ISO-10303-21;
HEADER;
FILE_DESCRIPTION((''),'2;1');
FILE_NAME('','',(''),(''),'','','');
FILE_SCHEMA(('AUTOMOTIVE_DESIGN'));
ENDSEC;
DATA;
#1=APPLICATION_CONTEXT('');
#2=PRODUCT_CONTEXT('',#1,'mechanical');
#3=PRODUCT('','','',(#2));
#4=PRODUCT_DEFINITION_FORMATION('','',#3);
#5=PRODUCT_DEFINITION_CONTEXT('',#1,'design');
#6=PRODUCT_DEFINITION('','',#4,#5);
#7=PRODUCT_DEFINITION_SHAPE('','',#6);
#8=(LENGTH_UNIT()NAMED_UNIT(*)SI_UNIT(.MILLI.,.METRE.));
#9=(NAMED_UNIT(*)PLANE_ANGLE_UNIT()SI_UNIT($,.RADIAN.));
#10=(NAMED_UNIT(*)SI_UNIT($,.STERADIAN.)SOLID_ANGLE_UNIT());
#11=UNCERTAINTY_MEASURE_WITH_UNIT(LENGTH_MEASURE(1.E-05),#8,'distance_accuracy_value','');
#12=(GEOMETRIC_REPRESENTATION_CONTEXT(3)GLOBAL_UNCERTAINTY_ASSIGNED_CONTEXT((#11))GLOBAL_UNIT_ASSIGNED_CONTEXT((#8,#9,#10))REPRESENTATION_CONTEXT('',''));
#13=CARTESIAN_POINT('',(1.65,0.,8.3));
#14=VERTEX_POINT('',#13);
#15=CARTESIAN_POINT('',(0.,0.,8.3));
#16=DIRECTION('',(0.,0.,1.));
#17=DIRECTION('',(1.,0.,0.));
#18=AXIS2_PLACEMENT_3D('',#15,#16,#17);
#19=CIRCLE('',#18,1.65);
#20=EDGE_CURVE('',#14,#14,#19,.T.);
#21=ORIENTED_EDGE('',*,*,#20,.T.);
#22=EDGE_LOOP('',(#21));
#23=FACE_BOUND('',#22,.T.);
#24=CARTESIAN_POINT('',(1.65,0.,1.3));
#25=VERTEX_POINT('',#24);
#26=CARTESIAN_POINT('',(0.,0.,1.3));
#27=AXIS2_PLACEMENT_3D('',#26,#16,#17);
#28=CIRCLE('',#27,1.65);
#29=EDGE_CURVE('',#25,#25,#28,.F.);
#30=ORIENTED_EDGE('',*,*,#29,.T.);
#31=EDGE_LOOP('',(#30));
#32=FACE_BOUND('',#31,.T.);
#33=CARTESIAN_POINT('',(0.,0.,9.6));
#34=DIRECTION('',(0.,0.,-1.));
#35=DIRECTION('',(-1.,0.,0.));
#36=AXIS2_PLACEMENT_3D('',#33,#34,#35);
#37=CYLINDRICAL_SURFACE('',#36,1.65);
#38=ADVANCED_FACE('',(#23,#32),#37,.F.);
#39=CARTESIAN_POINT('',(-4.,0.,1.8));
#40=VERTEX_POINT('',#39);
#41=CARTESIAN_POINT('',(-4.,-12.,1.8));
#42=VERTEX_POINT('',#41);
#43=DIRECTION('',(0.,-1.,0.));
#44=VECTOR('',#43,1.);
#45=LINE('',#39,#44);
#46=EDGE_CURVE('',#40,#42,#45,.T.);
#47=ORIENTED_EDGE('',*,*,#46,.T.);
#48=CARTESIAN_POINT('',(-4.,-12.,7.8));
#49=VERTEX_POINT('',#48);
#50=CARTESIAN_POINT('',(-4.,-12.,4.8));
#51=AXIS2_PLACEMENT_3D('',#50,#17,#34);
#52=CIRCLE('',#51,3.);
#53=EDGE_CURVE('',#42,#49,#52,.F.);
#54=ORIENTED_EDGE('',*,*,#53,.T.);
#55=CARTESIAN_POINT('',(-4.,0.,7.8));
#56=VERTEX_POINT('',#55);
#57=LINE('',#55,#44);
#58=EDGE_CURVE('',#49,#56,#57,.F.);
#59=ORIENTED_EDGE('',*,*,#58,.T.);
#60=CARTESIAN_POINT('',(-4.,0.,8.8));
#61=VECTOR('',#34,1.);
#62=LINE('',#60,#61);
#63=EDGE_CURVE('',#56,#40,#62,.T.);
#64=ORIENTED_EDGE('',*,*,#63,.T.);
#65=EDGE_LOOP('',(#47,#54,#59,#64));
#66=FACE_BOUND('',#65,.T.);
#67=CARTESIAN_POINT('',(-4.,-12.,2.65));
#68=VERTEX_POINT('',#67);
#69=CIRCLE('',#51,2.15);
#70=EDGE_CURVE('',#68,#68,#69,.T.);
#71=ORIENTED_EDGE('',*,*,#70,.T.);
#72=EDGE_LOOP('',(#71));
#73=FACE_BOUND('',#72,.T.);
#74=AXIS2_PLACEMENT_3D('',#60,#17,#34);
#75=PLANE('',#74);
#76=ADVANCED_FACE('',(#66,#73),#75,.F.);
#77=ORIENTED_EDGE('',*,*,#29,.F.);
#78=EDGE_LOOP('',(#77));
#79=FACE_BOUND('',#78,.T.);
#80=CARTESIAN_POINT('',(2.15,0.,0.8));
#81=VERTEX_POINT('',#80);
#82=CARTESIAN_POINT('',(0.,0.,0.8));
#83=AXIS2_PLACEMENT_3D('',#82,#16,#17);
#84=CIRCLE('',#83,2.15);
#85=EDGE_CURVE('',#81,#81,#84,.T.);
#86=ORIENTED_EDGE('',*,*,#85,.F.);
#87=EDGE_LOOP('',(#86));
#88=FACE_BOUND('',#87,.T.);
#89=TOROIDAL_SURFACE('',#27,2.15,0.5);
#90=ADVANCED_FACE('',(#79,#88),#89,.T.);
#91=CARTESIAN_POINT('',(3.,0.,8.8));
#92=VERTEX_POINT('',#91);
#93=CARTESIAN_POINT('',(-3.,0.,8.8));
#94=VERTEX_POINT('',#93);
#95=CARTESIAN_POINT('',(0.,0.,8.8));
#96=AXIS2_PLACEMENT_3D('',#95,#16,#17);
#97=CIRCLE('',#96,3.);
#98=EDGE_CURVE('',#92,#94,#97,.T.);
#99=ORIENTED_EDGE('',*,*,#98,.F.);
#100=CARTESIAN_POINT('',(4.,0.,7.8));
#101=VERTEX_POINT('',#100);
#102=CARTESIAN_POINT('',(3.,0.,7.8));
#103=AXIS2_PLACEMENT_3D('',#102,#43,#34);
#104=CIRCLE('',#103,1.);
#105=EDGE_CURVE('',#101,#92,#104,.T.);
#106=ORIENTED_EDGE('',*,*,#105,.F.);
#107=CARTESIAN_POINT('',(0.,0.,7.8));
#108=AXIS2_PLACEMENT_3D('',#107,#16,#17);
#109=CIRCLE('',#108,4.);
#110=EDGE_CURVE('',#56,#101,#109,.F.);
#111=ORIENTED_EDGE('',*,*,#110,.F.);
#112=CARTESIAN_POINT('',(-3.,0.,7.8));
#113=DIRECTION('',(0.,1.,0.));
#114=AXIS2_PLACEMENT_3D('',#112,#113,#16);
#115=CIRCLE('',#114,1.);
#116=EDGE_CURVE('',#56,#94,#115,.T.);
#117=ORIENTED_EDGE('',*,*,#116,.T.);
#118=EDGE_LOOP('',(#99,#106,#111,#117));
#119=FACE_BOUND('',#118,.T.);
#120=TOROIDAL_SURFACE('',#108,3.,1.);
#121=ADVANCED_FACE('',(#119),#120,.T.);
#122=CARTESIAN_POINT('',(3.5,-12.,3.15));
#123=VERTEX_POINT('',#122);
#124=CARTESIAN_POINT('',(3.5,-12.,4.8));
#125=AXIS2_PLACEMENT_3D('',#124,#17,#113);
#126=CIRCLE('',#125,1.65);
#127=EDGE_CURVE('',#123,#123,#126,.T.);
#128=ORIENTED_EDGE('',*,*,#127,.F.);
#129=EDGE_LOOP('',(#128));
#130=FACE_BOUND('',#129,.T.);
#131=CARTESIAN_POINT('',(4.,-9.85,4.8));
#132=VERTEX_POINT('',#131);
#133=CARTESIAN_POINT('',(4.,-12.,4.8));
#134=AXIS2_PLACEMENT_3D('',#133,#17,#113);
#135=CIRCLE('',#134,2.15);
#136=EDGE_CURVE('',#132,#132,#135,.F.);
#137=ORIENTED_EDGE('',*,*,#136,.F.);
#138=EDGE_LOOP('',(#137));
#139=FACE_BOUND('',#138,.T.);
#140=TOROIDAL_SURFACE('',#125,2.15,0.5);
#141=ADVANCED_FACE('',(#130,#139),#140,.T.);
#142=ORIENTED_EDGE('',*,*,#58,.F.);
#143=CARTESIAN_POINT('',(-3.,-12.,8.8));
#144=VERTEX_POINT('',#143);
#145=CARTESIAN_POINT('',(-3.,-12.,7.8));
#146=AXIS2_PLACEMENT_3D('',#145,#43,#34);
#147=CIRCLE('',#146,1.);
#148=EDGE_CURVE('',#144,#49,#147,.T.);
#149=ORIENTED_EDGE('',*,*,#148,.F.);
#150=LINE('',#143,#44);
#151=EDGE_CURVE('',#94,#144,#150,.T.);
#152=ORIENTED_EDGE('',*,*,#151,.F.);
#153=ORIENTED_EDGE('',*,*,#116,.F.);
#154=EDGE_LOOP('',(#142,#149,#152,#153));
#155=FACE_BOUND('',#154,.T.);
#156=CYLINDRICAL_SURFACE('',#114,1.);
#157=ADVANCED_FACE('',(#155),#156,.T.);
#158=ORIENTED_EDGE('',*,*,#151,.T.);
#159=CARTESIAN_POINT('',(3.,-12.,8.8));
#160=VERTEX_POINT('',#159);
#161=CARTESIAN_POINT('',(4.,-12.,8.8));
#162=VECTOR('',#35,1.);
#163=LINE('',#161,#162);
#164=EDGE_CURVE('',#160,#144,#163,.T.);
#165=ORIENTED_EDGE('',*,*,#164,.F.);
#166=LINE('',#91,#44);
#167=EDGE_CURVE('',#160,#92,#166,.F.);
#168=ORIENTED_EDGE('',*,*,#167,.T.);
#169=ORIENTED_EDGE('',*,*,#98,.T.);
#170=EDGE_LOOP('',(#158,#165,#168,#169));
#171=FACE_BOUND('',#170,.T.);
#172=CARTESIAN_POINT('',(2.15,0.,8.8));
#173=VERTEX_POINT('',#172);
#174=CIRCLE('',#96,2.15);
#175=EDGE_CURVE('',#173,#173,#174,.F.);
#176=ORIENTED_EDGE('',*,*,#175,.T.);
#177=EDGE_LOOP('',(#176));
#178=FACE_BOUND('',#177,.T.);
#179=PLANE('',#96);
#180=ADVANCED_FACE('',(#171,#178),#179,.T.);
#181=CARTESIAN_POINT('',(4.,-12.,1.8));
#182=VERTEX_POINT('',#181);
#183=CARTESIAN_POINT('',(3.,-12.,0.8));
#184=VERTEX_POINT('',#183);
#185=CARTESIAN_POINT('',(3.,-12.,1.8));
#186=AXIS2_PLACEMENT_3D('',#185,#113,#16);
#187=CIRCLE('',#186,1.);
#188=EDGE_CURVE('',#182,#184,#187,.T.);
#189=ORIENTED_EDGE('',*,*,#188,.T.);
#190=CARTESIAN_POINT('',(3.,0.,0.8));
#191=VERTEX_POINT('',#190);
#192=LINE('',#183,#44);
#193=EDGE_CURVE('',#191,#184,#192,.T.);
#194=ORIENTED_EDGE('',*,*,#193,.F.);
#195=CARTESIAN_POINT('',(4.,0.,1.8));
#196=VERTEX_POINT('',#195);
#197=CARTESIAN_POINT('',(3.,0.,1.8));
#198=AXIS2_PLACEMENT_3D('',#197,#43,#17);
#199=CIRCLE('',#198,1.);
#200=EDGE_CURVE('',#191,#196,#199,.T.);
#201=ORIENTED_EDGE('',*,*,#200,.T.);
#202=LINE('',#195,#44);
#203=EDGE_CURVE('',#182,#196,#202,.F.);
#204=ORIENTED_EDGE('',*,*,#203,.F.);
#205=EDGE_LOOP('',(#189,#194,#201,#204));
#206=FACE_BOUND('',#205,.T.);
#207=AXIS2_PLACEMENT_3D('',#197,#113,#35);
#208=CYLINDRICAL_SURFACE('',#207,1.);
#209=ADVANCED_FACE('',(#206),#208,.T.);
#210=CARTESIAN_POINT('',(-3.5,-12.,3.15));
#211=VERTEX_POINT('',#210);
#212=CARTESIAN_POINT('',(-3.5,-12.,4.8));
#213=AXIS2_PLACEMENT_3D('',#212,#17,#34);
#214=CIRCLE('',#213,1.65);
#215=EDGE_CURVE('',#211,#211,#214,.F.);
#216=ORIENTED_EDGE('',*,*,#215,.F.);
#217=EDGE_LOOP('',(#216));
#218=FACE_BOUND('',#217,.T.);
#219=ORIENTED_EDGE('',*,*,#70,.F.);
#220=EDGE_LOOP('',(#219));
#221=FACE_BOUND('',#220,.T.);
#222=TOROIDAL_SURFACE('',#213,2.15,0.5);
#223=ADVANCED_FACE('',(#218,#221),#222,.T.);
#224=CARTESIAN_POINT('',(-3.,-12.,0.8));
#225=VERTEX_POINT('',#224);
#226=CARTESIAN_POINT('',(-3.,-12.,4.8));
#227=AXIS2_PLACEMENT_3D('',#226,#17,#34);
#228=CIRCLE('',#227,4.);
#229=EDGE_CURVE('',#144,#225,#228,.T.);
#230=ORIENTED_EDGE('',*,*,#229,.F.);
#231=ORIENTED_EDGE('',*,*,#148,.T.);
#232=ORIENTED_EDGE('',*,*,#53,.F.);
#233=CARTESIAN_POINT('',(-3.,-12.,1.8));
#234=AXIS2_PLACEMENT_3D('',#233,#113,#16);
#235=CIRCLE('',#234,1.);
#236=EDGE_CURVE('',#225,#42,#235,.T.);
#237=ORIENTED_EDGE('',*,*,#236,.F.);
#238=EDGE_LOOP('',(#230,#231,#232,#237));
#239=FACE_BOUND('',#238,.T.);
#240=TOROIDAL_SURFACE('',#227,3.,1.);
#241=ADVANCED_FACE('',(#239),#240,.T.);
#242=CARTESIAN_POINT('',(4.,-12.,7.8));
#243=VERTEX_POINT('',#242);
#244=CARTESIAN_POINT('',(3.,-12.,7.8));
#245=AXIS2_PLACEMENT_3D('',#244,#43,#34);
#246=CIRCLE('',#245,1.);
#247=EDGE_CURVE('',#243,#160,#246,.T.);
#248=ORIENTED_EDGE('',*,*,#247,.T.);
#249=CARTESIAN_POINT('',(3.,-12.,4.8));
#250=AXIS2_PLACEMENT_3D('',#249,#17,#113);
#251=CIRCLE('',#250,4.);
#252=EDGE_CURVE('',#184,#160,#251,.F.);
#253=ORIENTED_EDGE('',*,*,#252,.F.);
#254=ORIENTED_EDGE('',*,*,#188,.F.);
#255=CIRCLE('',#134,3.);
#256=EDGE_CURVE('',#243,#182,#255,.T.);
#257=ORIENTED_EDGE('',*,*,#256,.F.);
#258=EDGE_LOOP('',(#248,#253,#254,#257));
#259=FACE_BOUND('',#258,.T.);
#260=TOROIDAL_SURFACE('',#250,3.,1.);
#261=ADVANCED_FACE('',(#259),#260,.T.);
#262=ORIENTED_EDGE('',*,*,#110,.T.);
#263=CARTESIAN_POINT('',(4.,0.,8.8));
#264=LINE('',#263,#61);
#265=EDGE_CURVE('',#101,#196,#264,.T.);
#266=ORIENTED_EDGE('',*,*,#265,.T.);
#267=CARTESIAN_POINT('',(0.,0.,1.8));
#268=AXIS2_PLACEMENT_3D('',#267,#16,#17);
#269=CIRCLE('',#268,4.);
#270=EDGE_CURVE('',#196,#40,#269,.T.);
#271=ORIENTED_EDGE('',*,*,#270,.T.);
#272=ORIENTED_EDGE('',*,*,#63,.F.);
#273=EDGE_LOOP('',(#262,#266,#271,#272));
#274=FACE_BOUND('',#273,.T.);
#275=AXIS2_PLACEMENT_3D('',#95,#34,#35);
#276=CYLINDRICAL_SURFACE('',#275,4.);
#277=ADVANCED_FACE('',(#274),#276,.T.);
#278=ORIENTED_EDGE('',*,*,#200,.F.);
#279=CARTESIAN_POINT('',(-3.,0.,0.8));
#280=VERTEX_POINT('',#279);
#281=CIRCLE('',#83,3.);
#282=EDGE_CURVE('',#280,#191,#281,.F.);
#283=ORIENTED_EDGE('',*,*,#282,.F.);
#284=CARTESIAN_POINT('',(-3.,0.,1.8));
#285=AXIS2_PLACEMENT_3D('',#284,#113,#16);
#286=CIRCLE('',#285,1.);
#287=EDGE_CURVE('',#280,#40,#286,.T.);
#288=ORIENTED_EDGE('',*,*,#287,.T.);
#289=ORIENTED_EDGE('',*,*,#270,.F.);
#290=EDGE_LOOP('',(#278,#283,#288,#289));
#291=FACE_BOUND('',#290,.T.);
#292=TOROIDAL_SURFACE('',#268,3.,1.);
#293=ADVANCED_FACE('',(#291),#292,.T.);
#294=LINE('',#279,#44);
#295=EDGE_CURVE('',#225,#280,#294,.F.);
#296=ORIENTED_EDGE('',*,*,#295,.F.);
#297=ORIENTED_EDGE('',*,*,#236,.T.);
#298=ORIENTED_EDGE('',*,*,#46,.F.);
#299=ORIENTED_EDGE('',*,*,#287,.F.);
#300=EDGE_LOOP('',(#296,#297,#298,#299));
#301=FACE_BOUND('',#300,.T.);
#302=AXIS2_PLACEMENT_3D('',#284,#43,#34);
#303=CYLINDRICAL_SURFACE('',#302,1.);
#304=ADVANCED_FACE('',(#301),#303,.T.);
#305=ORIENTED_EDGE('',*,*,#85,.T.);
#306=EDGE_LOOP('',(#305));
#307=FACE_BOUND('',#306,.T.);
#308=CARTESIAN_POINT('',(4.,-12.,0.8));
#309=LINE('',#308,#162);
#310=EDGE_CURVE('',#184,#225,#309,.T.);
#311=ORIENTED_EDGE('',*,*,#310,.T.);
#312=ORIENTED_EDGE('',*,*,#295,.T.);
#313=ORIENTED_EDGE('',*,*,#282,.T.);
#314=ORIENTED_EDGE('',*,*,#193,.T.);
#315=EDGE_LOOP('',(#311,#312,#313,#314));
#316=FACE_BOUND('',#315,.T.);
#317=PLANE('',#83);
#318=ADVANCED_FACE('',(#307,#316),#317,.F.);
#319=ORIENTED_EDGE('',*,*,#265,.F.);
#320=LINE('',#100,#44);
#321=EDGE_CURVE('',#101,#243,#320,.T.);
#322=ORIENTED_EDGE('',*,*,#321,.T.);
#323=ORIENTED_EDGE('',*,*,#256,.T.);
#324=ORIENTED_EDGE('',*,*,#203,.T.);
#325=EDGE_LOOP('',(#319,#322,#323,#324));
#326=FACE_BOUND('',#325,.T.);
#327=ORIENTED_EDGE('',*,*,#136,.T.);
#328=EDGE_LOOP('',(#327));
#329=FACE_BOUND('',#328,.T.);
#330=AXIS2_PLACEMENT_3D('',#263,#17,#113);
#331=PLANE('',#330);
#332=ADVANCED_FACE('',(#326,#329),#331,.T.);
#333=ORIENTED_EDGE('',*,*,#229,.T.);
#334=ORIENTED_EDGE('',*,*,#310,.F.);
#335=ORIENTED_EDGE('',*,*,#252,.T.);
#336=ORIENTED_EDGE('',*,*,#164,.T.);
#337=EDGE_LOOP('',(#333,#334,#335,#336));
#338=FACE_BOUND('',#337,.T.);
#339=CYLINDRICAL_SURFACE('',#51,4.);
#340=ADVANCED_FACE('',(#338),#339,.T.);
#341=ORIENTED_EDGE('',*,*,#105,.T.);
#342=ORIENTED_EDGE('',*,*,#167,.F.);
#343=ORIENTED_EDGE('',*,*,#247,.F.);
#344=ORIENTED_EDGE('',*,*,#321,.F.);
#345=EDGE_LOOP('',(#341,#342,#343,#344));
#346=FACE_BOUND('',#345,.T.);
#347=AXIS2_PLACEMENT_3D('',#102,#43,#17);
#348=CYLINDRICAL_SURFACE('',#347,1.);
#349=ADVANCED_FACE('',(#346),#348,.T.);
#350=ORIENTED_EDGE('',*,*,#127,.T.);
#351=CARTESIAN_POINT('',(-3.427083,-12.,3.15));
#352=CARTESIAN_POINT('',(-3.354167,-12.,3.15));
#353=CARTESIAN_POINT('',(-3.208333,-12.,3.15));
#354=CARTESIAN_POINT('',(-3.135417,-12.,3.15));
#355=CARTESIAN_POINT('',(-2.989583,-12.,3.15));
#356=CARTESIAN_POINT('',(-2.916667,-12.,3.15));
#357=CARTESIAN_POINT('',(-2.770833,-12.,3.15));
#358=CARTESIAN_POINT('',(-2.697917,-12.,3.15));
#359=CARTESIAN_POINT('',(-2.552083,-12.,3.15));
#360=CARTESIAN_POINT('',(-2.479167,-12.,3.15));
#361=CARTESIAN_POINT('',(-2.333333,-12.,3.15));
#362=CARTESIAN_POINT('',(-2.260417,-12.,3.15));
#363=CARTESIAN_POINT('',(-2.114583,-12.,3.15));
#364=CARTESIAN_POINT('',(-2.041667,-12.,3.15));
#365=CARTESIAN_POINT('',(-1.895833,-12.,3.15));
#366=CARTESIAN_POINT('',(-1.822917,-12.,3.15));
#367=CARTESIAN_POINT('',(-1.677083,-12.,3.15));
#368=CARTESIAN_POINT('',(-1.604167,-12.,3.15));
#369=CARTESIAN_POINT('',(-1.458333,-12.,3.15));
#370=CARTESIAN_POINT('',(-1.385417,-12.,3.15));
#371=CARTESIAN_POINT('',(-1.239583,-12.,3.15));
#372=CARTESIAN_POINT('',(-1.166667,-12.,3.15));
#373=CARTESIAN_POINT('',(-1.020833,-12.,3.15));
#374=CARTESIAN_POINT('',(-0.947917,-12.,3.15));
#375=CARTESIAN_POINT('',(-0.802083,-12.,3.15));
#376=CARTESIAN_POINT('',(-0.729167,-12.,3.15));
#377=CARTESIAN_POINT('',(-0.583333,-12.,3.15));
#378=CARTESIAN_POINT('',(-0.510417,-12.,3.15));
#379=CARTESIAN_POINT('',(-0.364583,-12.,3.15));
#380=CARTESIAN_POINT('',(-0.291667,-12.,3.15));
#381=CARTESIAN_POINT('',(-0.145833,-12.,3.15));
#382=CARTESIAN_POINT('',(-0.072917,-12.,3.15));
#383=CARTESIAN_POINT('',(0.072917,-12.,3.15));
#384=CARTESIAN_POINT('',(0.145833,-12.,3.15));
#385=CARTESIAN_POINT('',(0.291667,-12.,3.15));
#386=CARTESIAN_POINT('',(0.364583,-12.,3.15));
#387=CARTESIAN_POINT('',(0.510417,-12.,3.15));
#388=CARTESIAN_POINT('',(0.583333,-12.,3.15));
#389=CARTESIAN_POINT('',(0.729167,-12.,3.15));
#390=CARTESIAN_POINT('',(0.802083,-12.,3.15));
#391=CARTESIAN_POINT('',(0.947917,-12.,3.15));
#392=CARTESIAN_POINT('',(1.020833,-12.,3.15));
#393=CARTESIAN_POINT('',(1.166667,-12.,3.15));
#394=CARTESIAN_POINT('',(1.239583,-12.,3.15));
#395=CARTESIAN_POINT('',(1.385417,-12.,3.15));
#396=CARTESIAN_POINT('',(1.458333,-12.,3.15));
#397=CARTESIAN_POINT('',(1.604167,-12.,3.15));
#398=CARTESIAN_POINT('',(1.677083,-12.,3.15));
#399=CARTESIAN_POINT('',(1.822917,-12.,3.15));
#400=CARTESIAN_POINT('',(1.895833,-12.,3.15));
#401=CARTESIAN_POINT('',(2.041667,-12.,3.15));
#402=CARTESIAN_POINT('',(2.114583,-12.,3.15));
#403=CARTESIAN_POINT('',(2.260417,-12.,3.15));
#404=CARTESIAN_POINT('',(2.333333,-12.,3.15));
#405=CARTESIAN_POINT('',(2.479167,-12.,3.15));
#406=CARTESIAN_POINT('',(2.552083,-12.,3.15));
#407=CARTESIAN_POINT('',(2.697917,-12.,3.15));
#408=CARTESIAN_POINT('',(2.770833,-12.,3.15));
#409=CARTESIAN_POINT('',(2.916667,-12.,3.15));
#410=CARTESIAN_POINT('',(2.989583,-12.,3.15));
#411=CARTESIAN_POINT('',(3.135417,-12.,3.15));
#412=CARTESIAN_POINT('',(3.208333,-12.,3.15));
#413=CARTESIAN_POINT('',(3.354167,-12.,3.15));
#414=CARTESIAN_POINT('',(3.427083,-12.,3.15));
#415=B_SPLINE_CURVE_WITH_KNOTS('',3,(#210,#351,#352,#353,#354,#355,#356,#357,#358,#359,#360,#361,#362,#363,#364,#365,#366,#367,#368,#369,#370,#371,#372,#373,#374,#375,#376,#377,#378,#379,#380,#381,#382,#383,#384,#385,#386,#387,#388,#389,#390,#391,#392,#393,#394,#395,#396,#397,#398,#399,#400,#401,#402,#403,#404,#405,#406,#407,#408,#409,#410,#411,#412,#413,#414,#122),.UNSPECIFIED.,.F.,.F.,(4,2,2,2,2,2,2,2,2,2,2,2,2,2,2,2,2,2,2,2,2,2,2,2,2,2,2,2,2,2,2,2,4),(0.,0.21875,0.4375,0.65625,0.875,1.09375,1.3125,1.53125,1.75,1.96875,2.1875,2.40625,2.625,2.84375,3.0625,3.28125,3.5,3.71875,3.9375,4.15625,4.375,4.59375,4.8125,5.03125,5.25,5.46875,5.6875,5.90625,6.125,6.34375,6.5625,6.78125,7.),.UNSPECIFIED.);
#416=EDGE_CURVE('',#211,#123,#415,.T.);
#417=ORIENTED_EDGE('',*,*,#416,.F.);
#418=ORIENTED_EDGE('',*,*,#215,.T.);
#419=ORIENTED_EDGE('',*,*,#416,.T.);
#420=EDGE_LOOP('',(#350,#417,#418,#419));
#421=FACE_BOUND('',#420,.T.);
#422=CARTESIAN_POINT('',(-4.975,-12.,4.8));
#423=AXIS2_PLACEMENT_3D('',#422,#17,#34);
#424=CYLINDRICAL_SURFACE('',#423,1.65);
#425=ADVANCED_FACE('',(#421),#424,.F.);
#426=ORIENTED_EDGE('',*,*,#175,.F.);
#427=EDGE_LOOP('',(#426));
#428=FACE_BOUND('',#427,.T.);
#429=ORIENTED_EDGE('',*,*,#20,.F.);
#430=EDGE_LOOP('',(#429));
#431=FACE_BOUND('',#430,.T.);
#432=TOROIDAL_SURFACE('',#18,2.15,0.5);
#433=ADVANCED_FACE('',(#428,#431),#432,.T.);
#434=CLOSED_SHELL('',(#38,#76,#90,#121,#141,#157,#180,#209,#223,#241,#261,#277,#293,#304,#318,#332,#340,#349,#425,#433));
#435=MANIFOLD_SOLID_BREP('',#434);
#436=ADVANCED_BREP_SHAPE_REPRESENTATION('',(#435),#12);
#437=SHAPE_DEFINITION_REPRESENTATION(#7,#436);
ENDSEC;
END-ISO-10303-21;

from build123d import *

# Parameters (mm, degrees)
BOSS_EXTRUDE1_START = 0.8
SKETCH2_R           = 4
BOSS_EXTRUDE1_DEPTH = 8
SKETCH10_W          = 8
SKETCH10_H          = 12
BOSS_EXTRUDE2_DEPTH = 8
BOSS_EXTRUDE3_START = 4
SKETCH8_R           = 4
BOSS_EXTRUDE3_DEPTH = 8
SKETCH1_R           = 1.65
CUT_EXTRUDE2_DEPTH  = 9.6
CUT_EXTRUDE3_START  = 4.975
SKETCH9_R           = 1.65
CUT_EXTRUDE3_DEPTH  = 9.95
FILLET1_R           = 1
FILLET2_R           = 0.5


with BuildPart() as part:
    # Sketch2 → Boss-Extrude1 (new body)
    with BuildSketch(Plane.XY.offset(BOSS_EXTRUDE1_START)):
        Circle(SKETCH2_R)
    extrude(amount=BOSS_EXTRUDE1_DEPTH)

    # Sketch10 → Boss-Extrude2 (add)
    with BuildSketch(Plane(origin=(0, 0, 0.8), x_dir=(-1, 0, 0), z_dir=(0, 0, -1))):
        with Locations((0, -6)):
            Rectangle(SKETCH10_W, SKETCH10_H)
    extrude(amount=-BOSS_EXTRUDE2_DEPTH)

    # Sketch8 → Boss-Extrude3 (add)
    with BuildSketch(Plane(origin=(0, 0, 0), x_dir=(0, 0, -1), z_dir=(1, 0, 0)).offset(BOSS_EXTRUDE3_START)):
        with Locations((-4.8, -12)):
            Circle(SKETCH8_R)
    extrude(amount=-BOSS_EXTRUDE3_DEPTH)

    # Sketch1 → Cut-Extrude2 (cut)
    with BuildSketch(Plane.XY):
        Circle(SKETCH1_R)
    extrude(amount=CUT_EXTRUDE2_DEPTH, mode=Mode.SUBTRACT)

    # Sketch9 → Cut-Extrude3 (cut)
    with BuildSketch(Plane(origin=(0, 0, 0), x_dir=(0, 0, -1), z_dir=(1, 0, 0)).offset(CUT_EXTRUDE3_START)):
        with Locations((-4.8, -12)):
            Circle(SKETCH9_R)
    extrude(amount=-CUT_EXTRUDE3_DEPTH, mode=Mode.SUBTRACT)

    # Fillet1
    fillet1_edges = [part.edges().sort_by_distance(p)[0] for p in [
        (-4, -6, 8.8),
        (4, -6, 0.8),
        (0, 4, 0.8),
        (-4, -16, 4.8),
        (4, -16, 4.8),
        (0, 4, 8.8),
        (-4, -6, 0.8),
        (4, -6, 8.8),
    ]]
    fillet(fillet1_edges, radius=FILLET1_R)

    # Fillet2
    fillet2_edges = [part.edges().sort_by_distance(p)[0] for p in [
        (-1.65, 0, 8.8),
        (-1.65, 0, 0.8),
        (-4, -12, 6.45),
        (4, -12, 6.45),
    ]]
    fillet(fillet2_edges, radius=FILLET2_R)


solid = part.part
